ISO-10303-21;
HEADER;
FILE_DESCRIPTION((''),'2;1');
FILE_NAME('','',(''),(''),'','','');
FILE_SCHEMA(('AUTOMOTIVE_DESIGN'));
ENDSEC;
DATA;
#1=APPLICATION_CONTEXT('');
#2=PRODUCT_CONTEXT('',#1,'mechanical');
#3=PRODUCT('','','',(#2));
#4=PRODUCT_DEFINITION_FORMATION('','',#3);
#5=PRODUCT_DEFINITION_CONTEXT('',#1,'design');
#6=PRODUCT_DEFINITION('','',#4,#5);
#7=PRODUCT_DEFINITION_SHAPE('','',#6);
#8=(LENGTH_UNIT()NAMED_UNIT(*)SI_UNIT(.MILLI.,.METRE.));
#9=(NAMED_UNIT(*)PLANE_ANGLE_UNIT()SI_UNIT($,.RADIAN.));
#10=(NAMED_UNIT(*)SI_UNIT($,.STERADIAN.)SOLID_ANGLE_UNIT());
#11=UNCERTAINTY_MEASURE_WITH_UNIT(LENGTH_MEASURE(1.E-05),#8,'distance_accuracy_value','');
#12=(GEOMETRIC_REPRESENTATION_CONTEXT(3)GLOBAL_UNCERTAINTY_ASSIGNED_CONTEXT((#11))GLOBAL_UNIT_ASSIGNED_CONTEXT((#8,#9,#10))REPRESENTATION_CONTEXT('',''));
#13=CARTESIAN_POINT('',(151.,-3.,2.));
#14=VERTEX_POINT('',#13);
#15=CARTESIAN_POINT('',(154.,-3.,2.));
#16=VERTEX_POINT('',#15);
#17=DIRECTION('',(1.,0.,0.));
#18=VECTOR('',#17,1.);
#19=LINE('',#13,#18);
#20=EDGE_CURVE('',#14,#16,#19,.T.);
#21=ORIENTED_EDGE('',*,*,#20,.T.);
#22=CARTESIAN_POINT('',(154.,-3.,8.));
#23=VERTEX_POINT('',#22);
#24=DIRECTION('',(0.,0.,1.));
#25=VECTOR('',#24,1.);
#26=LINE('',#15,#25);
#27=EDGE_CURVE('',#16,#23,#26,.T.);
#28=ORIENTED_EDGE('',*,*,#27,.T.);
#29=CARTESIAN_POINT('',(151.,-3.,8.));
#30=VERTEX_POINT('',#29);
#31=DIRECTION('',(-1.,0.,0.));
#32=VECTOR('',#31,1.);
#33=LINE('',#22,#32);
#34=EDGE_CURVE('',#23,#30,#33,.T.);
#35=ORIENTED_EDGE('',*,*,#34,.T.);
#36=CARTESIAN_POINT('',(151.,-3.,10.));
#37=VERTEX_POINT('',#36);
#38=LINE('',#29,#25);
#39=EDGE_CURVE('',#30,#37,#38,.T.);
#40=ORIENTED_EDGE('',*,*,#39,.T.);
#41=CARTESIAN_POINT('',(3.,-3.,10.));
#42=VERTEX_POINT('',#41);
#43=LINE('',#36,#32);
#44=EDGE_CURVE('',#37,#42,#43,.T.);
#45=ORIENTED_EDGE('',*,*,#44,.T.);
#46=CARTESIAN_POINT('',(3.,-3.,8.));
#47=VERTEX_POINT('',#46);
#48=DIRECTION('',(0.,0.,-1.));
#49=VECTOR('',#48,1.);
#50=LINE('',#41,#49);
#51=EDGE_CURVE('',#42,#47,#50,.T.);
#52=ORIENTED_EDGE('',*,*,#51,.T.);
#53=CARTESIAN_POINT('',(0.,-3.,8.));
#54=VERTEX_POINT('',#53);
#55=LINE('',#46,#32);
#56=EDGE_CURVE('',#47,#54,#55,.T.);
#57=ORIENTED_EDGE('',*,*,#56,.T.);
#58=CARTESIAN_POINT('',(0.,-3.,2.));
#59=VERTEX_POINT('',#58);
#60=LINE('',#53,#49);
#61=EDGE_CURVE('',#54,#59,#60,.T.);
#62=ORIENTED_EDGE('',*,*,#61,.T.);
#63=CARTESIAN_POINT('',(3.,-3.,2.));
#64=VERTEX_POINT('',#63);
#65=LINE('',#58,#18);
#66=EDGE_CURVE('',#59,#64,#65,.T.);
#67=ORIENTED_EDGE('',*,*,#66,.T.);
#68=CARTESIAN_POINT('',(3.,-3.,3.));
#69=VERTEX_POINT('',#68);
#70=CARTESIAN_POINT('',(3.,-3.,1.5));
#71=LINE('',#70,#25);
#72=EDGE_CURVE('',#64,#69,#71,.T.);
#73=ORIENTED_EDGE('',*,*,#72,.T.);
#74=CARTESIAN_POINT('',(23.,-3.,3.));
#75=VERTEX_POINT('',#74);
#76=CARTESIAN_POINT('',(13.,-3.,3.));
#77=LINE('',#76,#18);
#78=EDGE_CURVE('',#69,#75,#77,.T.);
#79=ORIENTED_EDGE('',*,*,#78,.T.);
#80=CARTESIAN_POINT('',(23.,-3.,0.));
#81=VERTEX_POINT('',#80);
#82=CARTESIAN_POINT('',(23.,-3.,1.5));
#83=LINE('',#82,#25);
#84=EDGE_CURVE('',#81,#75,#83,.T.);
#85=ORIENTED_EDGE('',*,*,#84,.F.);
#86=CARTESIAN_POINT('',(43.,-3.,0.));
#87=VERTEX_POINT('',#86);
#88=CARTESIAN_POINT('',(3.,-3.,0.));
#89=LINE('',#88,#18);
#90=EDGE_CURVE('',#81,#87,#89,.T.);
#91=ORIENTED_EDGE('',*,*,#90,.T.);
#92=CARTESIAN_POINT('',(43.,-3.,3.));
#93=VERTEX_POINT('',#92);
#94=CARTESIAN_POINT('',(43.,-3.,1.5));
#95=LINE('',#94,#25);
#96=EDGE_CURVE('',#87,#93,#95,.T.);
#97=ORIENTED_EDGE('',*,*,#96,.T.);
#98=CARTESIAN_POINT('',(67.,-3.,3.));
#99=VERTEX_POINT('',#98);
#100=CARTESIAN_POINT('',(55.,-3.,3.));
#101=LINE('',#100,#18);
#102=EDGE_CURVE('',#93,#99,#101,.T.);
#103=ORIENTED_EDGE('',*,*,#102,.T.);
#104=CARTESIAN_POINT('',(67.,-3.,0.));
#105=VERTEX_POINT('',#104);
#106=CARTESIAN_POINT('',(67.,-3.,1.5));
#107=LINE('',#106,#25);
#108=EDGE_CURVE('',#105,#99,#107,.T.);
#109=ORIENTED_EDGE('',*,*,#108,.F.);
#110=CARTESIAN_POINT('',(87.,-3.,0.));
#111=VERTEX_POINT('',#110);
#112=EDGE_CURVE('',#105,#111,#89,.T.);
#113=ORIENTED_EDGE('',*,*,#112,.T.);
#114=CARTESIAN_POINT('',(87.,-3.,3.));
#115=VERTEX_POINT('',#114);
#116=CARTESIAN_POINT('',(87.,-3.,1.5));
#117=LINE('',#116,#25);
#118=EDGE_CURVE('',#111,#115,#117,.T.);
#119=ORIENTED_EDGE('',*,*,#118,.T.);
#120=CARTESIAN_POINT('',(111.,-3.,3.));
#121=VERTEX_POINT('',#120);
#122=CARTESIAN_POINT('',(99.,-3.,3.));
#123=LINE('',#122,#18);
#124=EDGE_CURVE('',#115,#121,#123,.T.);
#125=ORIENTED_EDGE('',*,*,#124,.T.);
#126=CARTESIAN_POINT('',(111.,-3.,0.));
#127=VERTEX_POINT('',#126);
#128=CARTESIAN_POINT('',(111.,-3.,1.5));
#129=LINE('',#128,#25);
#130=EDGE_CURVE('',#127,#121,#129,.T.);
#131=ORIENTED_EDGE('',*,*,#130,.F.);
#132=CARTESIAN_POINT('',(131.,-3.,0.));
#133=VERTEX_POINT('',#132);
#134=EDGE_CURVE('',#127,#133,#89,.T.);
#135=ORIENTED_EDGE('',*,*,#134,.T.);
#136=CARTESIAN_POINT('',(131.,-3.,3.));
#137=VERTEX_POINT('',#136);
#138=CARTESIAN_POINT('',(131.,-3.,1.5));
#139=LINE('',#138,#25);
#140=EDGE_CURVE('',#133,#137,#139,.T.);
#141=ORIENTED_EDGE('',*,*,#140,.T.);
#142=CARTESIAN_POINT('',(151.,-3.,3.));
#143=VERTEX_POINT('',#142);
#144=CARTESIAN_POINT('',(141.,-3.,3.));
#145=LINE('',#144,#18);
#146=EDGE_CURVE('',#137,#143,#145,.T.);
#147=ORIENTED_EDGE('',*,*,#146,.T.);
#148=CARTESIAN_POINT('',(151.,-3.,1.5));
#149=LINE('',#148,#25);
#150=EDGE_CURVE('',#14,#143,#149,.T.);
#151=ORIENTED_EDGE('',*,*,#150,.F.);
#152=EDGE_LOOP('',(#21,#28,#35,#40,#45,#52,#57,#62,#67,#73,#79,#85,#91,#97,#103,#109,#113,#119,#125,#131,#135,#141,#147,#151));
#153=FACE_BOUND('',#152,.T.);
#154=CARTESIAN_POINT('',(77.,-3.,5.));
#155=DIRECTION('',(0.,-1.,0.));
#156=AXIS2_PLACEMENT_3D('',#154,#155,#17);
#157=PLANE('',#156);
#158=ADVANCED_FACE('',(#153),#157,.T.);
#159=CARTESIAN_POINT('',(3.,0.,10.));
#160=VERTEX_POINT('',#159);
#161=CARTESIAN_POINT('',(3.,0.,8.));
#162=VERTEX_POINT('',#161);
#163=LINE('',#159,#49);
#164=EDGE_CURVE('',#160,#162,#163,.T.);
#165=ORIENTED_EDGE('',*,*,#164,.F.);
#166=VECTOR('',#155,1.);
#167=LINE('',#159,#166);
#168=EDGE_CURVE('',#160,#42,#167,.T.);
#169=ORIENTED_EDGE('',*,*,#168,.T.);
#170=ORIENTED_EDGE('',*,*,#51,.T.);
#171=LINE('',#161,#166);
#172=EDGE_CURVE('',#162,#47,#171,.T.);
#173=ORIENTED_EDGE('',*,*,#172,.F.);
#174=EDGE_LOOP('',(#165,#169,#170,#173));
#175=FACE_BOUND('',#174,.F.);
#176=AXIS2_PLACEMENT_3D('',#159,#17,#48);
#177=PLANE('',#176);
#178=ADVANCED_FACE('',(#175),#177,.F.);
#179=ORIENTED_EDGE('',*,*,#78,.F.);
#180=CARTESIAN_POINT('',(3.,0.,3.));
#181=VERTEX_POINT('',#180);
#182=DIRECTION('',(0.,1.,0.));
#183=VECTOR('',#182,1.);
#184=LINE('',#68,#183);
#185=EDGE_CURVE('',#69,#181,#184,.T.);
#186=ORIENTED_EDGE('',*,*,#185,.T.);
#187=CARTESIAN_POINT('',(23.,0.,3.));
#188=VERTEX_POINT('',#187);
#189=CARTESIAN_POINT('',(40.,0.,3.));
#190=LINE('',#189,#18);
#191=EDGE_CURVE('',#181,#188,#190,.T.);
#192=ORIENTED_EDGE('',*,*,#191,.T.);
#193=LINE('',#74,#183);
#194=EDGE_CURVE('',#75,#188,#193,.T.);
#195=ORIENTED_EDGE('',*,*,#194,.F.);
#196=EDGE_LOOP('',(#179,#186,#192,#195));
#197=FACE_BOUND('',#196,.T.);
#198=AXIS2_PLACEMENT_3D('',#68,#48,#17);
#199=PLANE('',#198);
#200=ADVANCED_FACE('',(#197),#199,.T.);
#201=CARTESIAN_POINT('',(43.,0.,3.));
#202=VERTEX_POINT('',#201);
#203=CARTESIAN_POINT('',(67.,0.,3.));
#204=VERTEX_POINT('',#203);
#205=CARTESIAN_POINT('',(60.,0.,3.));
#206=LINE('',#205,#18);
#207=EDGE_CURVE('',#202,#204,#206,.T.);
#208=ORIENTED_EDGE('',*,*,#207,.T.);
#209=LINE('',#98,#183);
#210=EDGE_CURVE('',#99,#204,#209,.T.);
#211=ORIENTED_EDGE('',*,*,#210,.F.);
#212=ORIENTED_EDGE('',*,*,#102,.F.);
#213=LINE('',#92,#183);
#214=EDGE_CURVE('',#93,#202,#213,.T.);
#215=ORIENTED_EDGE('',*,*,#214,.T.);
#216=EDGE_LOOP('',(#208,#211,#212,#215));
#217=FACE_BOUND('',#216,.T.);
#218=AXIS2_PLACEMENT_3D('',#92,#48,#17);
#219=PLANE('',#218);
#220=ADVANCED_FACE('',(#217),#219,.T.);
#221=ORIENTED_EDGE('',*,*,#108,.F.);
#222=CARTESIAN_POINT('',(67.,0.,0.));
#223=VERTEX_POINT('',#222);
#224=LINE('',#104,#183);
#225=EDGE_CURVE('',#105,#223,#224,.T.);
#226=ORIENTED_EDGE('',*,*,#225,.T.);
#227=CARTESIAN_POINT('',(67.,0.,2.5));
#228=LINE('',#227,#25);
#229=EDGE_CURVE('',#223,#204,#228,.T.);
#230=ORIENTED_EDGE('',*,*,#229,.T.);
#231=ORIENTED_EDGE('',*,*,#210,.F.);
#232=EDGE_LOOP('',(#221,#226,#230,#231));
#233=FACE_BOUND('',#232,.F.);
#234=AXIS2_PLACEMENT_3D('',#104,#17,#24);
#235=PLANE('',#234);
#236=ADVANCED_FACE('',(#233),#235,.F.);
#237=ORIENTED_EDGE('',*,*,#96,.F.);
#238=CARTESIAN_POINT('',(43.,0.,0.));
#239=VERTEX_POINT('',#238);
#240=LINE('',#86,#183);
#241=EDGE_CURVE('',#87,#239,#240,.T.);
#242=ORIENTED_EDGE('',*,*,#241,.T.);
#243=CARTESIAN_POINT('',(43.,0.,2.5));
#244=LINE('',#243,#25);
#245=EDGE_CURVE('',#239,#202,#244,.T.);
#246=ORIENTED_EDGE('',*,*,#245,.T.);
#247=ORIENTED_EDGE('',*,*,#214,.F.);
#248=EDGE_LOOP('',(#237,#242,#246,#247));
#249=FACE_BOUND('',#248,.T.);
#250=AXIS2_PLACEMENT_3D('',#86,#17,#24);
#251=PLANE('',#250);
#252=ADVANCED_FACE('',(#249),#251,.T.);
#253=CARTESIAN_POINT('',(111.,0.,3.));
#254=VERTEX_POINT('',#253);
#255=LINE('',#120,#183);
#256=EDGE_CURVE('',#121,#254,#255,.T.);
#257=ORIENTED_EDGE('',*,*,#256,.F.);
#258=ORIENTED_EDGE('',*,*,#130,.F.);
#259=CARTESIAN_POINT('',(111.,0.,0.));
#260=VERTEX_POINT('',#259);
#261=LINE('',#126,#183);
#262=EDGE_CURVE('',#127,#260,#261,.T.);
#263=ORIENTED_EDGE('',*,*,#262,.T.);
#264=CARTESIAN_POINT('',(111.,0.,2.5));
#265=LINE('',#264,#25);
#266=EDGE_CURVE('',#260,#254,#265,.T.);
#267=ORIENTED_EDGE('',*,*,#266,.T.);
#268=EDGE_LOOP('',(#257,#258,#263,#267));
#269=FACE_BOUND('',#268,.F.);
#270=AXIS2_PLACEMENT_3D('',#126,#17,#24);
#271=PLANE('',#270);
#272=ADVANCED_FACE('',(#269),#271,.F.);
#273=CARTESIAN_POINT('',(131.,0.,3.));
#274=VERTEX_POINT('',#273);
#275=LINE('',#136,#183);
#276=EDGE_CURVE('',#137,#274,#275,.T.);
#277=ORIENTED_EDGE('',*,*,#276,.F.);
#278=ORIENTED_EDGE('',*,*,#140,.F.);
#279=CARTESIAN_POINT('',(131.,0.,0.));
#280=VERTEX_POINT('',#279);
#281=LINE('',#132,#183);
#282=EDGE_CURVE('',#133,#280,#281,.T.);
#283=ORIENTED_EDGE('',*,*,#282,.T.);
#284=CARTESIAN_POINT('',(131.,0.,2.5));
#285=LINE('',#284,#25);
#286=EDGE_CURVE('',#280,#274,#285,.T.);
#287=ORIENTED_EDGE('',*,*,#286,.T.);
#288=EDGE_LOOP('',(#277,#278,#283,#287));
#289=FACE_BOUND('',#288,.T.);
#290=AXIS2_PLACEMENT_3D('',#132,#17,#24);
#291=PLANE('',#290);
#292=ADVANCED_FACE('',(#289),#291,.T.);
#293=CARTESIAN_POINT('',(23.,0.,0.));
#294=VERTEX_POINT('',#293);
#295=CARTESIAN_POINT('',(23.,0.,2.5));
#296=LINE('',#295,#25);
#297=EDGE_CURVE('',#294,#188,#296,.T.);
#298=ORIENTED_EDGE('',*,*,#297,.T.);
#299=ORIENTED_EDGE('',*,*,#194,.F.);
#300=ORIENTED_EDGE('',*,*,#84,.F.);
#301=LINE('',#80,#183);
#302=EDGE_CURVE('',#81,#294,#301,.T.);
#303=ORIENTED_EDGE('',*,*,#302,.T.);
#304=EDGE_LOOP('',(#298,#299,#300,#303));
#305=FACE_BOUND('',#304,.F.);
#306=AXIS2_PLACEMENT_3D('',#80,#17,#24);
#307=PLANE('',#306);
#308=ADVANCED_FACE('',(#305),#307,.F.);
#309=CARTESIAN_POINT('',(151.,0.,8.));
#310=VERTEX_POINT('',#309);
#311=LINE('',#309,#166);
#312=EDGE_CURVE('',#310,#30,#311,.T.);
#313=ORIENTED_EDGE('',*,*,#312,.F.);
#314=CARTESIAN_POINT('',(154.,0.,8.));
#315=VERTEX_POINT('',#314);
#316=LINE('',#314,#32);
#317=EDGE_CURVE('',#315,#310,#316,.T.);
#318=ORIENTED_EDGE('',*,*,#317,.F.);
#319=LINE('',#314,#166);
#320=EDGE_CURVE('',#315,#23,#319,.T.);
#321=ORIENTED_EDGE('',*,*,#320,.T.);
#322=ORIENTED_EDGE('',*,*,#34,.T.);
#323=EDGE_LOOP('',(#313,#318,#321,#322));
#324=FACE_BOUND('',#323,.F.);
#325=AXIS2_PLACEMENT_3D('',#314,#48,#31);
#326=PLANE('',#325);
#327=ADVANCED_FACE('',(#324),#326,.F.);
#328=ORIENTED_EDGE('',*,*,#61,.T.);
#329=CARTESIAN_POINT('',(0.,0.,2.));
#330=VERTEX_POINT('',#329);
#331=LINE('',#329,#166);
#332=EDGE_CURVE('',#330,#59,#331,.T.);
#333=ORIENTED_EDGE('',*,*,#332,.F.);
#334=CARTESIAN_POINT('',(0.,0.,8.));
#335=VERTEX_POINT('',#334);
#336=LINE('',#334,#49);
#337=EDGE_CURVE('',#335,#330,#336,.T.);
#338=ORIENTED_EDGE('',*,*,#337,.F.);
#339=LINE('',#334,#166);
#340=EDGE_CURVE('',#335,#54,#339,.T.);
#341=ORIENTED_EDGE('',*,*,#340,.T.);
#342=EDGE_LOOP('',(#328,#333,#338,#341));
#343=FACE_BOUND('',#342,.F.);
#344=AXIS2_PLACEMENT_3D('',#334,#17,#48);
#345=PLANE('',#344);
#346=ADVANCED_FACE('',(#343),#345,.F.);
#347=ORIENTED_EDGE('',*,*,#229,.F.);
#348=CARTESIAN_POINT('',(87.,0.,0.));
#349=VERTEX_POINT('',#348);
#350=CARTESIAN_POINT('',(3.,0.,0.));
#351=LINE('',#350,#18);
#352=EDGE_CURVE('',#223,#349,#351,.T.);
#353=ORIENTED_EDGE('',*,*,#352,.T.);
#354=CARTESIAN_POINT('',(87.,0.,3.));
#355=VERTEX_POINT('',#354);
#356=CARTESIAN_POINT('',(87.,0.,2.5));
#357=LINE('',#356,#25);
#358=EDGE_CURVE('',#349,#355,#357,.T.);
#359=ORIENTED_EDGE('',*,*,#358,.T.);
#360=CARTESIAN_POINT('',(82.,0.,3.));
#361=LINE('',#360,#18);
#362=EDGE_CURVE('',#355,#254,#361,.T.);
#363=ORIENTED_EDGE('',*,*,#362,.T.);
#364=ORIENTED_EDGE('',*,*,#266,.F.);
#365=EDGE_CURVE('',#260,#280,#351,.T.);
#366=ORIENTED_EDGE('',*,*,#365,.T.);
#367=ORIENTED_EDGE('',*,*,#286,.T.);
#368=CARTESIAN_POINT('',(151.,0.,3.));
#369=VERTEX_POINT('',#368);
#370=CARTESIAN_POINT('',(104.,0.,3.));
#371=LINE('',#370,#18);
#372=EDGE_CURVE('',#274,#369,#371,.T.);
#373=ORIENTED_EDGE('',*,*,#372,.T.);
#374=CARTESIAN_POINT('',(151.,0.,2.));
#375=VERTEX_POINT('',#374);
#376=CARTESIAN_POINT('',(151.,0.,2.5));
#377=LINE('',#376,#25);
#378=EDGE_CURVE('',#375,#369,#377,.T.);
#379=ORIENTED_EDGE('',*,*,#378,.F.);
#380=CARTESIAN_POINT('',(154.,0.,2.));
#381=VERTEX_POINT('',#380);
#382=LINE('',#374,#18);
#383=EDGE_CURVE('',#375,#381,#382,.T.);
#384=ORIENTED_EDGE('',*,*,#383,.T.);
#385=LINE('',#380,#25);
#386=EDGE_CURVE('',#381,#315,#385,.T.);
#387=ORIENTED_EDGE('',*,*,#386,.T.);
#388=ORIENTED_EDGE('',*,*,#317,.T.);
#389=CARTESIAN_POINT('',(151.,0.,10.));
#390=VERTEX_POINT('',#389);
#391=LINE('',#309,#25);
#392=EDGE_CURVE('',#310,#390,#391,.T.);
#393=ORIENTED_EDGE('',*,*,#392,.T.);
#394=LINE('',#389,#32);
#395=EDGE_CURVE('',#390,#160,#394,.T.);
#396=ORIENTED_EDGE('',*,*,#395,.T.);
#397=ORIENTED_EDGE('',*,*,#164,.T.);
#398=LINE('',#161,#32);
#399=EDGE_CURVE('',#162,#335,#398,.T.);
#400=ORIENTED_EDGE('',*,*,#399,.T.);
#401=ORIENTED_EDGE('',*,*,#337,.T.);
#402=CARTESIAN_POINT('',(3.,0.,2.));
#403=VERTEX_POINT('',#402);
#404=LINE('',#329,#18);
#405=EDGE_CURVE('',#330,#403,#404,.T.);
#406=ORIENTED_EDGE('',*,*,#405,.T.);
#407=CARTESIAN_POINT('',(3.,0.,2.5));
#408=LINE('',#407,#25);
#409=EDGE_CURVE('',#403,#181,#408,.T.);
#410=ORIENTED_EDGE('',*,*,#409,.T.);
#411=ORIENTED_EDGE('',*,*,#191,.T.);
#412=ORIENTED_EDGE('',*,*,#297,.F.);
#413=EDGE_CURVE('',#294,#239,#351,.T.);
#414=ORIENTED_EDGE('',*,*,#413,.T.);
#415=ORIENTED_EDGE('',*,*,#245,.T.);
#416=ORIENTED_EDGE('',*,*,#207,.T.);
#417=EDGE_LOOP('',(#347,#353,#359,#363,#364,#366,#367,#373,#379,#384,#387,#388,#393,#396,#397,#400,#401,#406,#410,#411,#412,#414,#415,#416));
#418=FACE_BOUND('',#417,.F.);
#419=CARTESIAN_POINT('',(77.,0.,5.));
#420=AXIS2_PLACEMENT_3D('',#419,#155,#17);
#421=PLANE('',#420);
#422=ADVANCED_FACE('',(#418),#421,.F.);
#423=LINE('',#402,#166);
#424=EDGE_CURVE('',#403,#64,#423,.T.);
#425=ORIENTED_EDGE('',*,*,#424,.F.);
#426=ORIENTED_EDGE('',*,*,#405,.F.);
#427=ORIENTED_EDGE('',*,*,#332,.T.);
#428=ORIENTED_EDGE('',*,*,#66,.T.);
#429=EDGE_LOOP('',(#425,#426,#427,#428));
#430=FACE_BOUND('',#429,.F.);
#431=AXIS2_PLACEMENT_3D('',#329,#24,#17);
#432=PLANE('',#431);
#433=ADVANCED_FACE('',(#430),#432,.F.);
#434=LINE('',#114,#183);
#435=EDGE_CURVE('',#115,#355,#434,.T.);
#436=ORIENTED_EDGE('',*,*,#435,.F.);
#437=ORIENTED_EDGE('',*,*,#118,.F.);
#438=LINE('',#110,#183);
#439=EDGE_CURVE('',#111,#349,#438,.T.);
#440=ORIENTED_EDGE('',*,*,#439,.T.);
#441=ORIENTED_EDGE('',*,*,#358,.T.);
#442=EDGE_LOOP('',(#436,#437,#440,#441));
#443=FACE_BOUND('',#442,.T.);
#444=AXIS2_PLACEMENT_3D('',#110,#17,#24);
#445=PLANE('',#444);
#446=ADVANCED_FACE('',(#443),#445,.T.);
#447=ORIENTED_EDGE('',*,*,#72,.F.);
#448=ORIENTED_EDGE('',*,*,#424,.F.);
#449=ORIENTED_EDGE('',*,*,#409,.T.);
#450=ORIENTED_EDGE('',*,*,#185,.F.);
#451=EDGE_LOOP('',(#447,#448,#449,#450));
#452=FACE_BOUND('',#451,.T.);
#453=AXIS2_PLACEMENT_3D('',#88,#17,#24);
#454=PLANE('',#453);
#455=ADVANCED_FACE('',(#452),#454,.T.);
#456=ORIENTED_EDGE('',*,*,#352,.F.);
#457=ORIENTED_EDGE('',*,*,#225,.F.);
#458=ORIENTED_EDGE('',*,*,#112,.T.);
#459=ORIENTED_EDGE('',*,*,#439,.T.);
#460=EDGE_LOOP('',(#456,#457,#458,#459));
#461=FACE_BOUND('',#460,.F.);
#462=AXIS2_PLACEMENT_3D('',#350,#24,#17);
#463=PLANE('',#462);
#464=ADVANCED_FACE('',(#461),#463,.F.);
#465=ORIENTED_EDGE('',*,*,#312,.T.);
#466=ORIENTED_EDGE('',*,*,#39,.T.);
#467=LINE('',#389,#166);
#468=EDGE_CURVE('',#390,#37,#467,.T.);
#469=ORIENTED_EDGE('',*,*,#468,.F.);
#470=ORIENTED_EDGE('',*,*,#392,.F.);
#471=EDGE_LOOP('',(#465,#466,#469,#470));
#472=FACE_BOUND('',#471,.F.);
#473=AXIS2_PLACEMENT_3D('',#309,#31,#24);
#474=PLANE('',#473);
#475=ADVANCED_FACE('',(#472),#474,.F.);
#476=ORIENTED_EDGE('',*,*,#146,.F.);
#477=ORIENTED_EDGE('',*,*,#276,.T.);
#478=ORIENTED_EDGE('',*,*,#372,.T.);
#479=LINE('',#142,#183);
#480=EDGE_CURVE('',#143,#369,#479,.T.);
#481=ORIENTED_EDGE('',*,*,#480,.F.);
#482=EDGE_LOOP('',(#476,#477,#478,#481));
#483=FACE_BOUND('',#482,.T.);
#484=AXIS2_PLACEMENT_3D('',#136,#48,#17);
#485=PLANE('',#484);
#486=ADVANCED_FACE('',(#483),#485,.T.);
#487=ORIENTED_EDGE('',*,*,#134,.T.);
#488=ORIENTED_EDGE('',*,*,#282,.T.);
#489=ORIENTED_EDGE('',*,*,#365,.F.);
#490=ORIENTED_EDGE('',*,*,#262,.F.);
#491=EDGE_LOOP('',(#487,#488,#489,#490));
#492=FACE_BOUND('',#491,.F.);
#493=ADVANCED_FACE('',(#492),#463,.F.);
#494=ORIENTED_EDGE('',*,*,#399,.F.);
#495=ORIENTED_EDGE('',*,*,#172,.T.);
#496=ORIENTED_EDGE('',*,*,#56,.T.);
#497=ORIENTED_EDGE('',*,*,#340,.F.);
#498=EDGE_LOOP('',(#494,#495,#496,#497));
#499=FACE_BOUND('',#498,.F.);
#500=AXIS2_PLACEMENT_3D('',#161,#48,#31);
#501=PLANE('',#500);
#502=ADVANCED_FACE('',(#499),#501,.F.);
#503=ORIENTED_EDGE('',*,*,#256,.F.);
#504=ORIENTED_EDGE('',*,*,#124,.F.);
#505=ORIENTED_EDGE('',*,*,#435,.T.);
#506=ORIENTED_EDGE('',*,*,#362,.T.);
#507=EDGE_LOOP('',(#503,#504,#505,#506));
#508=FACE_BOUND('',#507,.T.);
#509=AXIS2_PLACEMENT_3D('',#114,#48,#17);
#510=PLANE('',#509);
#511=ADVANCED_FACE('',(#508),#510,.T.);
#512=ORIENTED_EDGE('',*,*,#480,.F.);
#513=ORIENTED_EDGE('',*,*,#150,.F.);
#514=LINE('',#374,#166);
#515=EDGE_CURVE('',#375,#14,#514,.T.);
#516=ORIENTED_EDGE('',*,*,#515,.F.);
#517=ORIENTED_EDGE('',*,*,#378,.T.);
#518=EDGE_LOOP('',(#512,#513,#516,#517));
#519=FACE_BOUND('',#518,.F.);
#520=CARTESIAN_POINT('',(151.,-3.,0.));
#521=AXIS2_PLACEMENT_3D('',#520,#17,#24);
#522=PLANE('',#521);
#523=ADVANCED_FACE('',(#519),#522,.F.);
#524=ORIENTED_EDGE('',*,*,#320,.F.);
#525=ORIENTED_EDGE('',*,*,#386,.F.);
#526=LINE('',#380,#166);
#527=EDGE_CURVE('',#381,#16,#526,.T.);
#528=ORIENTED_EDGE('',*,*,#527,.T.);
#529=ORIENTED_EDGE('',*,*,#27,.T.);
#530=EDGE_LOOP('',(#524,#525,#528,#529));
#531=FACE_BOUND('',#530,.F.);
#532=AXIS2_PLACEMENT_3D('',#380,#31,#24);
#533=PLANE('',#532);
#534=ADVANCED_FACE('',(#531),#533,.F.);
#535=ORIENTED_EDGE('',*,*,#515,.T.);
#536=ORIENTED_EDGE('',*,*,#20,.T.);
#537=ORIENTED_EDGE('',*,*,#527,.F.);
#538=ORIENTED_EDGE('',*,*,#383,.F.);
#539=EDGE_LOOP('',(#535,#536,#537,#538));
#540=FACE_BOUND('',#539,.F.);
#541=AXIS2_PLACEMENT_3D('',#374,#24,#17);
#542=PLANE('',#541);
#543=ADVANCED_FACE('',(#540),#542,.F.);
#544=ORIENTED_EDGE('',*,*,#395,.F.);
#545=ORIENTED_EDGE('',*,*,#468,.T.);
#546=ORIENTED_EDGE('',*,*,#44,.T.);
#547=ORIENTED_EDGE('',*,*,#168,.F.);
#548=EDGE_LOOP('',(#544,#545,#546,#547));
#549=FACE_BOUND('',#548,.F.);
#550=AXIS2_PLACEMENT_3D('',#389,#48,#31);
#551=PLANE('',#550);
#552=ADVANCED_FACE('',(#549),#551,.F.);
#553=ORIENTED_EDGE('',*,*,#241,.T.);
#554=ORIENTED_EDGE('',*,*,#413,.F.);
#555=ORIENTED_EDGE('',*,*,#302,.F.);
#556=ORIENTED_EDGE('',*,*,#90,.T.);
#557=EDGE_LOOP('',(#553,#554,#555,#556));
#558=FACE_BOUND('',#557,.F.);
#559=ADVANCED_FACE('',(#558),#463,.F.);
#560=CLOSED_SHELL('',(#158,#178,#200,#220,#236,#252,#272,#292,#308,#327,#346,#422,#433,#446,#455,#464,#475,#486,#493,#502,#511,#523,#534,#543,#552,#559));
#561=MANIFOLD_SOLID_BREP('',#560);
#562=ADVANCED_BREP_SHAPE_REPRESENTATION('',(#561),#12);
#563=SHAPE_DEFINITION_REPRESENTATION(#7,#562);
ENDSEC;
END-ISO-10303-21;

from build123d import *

# Parameters (mm, degrees)
F1_DEPTH = 3
F2_W     = 20
F2_H     = 3
F2_W_2   = 24
F3_DEPTH = 3.001


with BuildPart() as f1:
    # F0 (on Front) → F1 (new body)
    with BuildSketch(Plane.XZ):
        Polygon((3, 2), (3, 0), (151, 0), (151, 2), (154, 2), (154, 8), (151, 8), (151, 10), (3, 10), (3, 8), (0, 8), (0, 2), align=None)
    extrude(amount=F1_DEPTH)

    # F2 (on face) → F3 (cut, through all)
    with BuildSketch(Plane.XZ.offset(3)):
        with Locations((13, 1.5)):
            Rectangle(F2_W, F2_H)
        with Locations((55, 1.5)):
            Rectangle(F2_W_2, F2_H)
        with Locations((99, 1.5)):
            Rectangle(F2_W_2, F2_H)
        with Locations((141, 1.5)):
            Rectangle(F2_W, F2_H)
    extrude(amount=-F3_DEPTH, mode=Mode.SUBTRACT)


solid = f1.part
